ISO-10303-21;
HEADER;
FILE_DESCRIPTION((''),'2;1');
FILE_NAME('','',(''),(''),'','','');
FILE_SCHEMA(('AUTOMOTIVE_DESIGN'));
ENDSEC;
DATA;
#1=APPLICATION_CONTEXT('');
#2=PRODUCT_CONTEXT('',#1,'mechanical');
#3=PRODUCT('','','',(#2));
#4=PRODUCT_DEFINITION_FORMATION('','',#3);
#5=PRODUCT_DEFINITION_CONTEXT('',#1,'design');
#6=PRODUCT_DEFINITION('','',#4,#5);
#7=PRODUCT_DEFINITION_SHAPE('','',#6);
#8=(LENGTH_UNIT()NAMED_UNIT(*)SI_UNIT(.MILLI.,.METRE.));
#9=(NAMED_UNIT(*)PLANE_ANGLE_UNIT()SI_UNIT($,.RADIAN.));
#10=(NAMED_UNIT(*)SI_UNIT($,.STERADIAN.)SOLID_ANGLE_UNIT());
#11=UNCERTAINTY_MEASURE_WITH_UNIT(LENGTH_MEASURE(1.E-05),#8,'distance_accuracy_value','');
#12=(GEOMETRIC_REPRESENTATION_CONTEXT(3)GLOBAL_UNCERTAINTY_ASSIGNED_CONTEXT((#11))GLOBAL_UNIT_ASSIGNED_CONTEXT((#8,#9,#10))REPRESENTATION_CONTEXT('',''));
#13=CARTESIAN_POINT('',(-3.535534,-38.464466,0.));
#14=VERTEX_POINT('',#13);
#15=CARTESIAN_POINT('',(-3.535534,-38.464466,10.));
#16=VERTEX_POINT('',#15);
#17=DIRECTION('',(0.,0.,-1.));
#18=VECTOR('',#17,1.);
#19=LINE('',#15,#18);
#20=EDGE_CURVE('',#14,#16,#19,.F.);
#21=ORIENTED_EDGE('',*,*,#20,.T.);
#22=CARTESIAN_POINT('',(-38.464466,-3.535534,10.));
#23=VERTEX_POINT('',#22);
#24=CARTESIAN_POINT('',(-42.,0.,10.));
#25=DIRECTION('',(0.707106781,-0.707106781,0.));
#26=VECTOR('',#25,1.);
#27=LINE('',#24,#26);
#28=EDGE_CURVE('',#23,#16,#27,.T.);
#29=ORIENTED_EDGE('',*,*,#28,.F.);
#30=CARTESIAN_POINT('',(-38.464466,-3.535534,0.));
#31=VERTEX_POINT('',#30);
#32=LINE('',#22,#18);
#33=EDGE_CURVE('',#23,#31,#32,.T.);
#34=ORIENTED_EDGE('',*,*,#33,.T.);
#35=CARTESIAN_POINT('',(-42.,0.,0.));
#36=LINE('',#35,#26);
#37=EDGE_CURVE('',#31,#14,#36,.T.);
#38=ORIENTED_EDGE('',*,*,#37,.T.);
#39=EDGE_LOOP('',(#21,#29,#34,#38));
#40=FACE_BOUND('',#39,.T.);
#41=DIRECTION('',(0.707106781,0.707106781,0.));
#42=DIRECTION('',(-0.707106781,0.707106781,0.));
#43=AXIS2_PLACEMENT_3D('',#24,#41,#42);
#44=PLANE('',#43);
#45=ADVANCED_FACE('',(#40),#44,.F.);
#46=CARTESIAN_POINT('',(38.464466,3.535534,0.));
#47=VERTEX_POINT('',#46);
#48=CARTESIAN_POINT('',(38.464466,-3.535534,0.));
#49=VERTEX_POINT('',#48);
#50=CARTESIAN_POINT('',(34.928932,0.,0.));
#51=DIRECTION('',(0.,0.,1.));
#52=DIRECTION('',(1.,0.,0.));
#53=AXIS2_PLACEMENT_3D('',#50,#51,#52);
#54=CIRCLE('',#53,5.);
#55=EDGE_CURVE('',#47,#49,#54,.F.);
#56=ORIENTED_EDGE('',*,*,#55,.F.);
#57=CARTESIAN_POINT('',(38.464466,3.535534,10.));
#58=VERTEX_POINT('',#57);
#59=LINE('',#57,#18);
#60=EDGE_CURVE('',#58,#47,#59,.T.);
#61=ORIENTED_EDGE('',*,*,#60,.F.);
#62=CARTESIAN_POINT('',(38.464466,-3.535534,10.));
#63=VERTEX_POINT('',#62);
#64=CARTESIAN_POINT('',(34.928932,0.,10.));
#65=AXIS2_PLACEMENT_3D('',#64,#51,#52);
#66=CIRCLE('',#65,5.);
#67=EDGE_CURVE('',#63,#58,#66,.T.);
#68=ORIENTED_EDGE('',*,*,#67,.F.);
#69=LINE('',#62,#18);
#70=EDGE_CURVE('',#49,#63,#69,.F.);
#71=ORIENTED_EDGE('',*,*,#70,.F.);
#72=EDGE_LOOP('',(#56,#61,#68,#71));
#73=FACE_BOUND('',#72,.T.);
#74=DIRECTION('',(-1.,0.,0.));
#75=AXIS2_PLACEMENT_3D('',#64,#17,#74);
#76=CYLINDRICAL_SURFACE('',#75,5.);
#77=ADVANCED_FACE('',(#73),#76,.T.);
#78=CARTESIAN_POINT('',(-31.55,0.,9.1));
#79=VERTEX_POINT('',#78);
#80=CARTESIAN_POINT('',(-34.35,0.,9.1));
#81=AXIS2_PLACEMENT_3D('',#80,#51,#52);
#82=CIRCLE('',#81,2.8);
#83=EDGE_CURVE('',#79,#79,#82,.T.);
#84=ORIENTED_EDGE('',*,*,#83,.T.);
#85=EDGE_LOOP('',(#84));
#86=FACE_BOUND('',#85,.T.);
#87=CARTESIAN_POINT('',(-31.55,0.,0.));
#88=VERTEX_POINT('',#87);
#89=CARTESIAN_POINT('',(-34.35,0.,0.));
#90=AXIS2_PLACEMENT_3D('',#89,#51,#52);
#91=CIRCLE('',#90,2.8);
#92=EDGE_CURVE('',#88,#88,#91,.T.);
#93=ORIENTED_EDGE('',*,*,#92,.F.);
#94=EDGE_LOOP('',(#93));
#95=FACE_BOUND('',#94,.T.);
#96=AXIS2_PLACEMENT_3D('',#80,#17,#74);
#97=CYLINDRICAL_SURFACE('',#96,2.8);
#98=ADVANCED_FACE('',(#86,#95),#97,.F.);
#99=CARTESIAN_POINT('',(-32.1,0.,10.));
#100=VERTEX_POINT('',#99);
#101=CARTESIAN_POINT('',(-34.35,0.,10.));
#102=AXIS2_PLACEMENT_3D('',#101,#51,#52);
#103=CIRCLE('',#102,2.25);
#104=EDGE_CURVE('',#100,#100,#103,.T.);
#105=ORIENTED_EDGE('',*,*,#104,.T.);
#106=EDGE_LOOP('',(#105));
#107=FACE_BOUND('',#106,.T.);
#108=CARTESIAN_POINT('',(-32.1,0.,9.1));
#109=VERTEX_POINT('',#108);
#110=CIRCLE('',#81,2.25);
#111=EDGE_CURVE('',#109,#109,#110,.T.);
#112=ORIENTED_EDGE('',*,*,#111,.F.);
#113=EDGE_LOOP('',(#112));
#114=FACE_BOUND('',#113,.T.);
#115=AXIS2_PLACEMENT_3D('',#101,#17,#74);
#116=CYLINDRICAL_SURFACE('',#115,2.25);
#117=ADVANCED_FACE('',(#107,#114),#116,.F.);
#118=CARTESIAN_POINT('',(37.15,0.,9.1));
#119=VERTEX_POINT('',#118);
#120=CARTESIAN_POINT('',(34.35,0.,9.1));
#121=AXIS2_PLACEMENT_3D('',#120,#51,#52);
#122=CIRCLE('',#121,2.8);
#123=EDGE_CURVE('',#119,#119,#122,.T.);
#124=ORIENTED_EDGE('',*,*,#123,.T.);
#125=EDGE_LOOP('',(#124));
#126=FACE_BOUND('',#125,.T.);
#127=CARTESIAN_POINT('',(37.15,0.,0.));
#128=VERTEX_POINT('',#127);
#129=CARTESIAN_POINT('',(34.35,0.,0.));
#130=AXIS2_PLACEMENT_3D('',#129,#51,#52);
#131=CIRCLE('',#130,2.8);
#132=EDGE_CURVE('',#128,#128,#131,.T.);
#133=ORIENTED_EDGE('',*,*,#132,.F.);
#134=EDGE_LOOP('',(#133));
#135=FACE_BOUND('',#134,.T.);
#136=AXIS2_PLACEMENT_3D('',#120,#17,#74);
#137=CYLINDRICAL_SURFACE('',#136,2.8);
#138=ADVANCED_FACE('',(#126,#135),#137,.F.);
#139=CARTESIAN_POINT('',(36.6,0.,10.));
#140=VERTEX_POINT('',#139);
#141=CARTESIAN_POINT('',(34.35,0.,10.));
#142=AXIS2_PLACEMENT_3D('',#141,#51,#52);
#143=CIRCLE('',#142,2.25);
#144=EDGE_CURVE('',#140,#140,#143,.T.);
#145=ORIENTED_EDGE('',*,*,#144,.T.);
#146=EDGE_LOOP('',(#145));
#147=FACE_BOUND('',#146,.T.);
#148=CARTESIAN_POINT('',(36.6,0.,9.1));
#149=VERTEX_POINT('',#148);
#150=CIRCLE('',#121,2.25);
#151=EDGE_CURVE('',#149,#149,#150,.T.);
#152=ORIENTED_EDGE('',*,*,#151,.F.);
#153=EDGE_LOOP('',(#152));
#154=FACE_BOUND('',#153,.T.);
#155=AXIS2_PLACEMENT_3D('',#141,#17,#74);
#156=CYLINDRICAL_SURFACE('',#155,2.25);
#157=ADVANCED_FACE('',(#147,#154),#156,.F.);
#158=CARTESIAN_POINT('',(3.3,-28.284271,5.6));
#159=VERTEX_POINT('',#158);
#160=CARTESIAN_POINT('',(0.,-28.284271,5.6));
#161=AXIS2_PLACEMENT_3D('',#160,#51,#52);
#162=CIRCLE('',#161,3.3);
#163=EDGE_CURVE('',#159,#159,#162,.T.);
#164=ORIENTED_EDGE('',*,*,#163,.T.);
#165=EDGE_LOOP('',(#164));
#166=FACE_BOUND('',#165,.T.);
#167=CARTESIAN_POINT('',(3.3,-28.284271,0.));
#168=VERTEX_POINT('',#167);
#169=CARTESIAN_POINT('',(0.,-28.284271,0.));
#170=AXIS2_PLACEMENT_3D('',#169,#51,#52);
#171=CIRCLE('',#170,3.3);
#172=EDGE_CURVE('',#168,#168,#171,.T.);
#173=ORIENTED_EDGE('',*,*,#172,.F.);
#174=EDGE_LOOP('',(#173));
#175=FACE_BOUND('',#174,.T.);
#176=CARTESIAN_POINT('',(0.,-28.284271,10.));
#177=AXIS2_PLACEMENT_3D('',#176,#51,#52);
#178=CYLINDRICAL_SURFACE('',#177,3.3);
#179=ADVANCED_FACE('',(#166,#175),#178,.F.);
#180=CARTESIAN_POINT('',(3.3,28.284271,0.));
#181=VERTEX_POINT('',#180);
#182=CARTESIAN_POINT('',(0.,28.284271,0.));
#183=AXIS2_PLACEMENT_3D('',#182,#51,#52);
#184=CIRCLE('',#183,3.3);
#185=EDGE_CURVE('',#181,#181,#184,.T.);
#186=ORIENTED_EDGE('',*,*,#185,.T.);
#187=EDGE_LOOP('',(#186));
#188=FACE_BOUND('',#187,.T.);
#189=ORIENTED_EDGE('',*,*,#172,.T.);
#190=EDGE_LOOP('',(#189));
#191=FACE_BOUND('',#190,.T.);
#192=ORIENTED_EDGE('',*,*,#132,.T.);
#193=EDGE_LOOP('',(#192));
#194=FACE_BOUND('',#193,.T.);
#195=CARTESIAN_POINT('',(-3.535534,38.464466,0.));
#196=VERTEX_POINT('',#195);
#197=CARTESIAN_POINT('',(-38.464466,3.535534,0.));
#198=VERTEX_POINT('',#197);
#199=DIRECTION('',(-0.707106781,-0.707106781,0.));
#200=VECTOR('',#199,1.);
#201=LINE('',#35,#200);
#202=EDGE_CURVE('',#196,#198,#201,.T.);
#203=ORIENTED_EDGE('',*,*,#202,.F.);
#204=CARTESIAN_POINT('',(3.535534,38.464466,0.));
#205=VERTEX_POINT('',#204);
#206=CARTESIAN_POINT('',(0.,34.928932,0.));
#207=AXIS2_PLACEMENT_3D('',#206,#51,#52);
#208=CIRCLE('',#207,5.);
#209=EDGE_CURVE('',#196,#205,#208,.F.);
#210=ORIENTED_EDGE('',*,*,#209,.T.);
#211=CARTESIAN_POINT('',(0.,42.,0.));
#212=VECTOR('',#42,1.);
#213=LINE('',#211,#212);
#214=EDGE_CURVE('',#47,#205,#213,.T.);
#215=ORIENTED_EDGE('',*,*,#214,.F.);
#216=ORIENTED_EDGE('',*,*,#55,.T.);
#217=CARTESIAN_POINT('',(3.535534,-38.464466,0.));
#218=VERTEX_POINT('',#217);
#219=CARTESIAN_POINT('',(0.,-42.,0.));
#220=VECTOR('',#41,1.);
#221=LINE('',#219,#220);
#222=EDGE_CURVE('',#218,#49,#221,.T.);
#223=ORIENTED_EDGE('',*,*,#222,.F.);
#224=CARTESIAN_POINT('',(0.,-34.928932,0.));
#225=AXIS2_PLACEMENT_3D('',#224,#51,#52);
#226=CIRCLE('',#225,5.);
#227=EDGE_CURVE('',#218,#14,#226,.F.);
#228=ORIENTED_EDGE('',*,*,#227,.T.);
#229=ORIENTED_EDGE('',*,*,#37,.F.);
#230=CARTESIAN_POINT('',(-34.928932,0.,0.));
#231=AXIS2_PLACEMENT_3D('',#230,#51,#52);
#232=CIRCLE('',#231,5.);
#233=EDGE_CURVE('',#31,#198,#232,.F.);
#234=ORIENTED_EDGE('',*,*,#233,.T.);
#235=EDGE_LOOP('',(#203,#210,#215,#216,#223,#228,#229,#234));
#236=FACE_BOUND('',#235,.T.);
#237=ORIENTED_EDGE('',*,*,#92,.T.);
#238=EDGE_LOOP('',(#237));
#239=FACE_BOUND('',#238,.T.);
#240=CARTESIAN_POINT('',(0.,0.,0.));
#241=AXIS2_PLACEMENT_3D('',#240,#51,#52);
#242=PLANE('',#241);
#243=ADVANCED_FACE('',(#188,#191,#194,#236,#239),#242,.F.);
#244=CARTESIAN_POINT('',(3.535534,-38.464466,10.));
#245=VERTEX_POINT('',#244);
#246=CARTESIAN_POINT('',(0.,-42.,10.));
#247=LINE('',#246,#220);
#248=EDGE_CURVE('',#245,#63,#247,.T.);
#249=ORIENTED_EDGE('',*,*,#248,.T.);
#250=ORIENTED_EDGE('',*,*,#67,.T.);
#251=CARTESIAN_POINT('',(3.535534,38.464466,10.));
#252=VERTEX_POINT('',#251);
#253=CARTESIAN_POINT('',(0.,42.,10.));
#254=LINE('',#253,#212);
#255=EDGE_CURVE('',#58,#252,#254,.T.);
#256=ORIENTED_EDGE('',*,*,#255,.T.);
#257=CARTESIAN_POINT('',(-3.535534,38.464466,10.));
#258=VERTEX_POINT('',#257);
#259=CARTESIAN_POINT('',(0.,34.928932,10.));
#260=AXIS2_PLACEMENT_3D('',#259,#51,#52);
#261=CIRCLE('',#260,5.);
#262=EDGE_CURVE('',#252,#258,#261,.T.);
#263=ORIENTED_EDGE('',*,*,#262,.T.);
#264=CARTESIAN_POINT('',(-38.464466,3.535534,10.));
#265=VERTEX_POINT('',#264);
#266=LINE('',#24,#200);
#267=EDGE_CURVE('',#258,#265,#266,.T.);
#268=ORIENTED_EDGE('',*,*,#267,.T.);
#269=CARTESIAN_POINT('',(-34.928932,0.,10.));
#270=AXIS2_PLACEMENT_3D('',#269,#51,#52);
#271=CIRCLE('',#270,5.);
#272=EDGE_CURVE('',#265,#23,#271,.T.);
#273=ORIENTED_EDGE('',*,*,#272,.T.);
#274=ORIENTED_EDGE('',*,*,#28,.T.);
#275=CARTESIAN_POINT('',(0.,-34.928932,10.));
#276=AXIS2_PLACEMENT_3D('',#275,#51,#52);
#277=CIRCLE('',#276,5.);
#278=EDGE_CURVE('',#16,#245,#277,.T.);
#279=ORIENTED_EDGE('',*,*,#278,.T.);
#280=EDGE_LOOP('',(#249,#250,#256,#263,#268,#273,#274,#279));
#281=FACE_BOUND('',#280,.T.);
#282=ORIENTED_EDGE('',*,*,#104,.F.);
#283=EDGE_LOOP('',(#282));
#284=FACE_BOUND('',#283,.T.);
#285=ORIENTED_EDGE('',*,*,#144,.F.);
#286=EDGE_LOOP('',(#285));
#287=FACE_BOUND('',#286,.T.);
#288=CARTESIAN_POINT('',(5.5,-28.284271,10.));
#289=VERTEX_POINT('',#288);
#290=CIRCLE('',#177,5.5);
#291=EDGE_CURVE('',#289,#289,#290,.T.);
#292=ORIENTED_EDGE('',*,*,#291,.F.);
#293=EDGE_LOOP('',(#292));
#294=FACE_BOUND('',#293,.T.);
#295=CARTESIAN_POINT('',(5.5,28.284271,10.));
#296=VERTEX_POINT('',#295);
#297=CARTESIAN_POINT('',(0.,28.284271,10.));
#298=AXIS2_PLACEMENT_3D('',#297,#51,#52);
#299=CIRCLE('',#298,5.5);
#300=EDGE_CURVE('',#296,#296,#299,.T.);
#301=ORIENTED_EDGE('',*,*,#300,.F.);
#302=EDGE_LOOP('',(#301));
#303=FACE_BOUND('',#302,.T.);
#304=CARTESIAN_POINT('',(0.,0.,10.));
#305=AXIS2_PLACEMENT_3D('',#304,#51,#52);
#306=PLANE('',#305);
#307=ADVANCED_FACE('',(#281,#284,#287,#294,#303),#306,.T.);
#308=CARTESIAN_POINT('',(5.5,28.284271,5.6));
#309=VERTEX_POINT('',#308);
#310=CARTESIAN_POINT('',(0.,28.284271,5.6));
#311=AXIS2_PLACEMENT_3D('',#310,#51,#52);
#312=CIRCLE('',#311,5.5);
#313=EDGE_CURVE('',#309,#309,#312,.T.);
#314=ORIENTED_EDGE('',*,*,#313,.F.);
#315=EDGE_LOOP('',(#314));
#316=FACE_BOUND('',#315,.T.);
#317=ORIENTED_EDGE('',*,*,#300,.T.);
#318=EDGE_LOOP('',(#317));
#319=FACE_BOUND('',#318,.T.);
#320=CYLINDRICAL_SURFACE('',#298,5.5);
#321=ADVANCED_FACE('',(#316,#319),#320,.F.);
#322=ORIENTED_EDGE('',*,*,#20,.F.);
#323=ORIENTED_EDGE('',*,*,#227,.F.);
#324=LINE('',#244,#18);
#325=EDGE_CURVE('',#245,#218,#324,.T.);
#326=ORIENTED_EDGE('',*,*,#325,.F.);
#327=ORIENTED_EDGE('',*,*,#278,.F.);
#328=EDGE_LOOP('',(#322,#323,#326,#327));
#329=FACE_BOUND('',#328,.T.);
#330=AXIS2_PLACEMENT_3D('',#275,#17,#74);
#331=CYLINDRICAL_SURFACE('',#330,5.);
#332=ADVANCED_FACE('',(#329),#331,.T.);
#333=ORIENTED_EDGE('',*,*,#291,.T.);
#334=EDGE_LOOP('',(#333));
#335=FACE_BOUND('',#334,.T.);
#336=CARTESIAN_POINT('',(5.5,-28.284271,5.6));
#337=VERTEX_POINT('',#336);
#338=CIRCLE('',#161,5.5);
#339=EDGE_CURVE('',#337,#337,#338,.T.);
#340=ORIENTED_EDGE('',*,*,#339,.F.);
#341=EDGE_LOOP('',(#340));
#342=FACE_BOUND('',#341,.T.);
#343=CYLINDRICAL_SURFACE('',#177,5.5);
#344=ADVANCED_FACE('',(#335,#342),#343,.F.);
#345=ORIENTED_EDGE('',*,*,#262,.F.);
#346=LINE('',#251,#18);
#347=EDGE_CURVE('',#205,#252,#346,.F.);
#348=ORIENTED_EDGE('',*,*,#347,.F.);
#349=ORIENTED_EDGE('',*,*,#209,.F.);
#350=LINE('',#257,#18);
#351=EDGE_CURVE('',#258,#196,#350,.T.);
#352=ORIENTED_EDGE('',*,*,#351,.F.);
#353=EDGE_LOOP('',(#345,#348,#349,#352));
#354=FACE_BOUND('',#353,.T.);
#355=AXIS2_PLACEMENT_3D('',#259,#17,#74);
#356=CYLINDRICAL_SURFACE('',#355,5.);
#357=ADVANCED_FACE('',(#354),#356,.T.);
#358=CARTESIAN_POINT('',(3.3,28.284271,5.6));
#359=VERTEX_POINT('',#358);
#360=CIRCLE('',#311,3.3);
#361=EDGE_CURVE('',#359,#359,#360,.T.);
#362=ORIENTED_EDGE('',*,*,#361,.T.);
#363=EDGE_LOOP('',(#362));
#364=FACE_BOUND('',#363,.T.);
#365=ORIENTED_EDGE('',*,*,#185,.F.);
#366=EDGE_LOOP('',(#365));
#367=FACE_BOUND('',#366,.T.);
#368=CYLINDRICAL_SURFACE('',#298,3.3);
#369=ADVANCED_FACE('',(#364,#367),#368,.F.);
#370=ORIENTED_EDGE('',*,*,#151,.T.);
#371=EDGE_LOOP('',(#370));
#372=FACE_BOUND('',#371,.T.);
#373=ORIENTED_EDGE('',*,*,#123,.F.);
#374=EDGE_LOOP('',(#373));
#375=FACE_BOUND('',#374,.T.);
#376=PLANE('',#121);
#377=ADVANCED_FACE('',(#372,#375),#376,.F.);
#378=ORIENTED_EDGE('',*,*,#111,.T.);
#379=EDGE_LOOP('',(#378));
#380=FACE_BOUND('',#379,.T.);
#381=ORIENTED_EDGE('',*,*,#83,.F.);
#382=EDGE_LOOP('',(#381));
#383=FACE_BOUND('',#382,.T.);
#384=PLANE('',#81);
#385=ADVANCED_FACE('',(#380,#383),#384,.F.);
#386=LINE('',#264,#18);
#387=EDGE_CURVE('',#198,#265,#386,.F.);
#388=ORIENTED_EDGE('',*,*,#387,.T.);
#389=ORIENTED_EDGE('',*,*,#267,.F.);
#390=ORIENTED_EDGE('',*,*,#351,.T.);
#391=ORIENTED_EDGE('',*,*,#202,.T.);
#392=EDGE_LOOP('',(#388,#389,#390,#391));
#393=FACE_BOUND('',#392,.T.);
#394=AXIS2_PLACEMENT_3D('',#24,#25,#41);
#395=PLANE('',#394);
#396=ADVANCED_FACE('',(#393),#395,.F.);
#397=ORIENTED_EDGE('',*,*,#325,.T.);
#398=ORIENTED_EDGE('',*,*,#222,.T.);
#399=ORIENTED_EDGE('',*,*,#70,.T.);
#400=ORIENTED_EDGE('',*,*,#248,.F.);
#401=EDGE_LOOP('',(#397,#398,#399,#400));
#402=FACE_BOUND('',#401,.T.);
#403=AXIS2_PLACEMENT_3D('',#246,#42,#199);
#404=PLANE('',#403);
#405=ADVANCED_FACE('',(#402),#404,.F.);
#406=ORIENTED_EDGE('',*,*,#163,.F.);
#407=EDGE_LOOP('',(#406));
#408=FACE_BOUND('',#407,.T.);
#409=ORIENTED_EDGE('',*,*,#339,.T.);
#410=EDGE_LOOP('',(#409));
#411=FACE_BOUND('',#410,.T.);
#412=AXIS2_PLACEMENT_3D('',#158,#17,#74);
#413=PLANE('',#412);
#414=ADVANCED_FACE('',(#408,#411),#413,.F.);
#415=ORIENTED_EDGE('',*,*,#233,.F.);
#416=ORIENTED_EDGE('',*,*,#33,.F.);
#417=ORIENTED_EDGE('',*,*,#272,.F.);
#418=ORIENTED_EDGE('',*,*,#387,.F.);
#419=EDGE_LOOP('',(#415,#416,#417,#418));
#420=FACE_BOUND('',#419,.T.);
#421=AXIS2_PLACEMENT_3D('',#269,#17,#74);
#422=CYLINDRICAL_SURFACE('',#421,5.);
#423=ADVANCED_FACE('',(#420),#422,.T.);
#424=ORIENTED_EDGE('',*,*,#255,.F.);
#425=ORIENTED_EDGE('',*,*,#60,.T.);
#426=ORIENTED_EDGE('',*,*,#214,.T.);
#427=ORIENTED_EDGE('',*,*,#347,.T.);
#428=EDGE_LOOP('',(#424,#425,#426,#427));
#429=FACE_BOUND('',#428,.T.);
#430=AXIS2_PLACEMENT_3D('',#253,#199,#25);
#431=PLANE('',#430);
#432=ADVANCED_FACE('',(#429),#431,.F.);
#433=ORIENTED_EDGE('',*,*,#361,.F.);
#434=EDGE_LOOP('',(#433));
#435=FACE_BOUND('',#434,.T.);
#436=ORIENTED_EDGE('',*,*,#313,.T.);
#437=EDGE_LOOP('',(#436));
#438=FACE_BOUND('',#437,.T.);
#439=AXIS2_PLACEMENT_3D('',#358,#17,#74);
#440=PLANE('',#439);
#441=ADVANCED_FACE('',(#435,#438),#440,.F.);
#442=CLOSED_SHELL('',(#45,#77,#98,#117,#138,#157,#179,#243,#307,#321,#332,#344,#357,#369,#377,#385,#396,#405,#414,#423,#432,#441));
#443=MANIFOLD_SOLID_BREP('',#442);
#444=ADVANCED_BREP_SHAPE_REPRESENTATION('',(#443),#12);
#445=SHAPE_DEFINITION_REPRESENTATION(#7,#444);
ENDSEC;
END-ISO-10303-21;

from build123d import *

# Parameters (mm, degrees)
SKETCH1_R                                           = 2.25
BOSS_EXTRUDE1_DEPTH                                 = 10
SKETCH2_R                                           = 2.8
CUT_EXTRUDE1_DEPTH                                  = 9.1
CBORE_FOR_M6_HEX_SOCKET_HEAD_CAP_SCREW1_D           = 6.6
CBORE_FOR_M6_HEX_SOCKET_HEAD_CAP_SCREW1_CBORE_D     = 11
CBORE_FOR_M6_HEX_SOCKET_HEAD_CAP_SCREW1_CBORE_DEPTH = 4.4
CBORE_FOR_M6_HEX_SOCKET_HEAD_CAP_SCR_2_D            = 6.6
CBORE_FOR_M6_HEX_SOCKET_HEAD_CAP_SCR_2_CBORE_D      = 11
CBORE_FOR_M6_HEX_SOCKET_HEAD_CAP_SCR_2_CBORE_DEPTH  = 4.4
FILLET2_R                                           = 5


with BuildPart() as part:
    # Sketch1 → Boss-Extrude1 (new body)
    with BuildSketch(Plane.XY):
        Polygon((-42, 0), (0, 42), (42, 0), (0, -42), align=None)
        with Locations((-34.35, 0)):
            Circle(SKETCH1_R, mode=Mode.SUBTRACT)
        with Locations((34.35, 0)):
            Circle(SKETCH1_R, mode=Mode.SUBTRACT)
    extrude(amount=BOSS_EXTRUDE1_DEPTH)

    # Sketch2 → Cut-Extrude1 (cut)
    with BuildSketch(Plane.XY):
        with Locations((34.35, 0)):
            Circle(SKETCH2_R)
        with Locations((-34.35, 0)):
            Circle(SKETCH2_R)
    extrude(amount=CUT_EXTRUDE1_DEPTH, mode=Mode.SUBTRACT)

    # CBORE for M6 Hex Socket Head Cap Screw1 (through all)
    with Locations(Plane(origin=(0, 28.284271247, 10), x_dir=(1, 0, 0), z_dir=(0, 0, 1))):
        with Locations((0, 0), (0, -56.568542494)):
            CounterBoreHole(CBORE_FOR_M6_HEX_SOCKET_HEAD_CAP_SCREW1_D / 2, CBORE_FOR_M6_HEX_SOCKET_HEAD_CAP_SCREW1_CBORE_D / 2, CBORE_FOR_M6_HEX_SOCKET_HEAD_CAP_SCREW1_CBORE_DEPTH)

    # CBORE for M6 Hex Socket Head Cap Scr 2 (through all)
    with Locations(Plane(origin=(55.283571739, 20.980488531, 0), x_dir=(1, 0, 0), z_dir=(0, 0, 1))):
        with Locations((0, 0)):
            CounterBoreHole(CBORE_FOR_M6_HEX_SOCKET_HEAD_CAP_SCR_2_D / 2, CBORE_FOR_M6_HEX_SOCKET_HEAD_CAP_SCR_2_CBORE_D / 2, CBORE_FOR_M6_HEX_SOCKET_HEAD_CAP_SCR_2_CBORE_DEPTH)

    # Fillet2
    fillet2_edges = [part.edges().sort_by_distance(p)[0] for p in [
        (-42, 0, 5),
        (0, 42, 5),
        (42, 0, 5),
        (0, -42, 5),
    ]]
    fillet(fillet2_edges, radius=FILLET2_R)


solid = part.part
